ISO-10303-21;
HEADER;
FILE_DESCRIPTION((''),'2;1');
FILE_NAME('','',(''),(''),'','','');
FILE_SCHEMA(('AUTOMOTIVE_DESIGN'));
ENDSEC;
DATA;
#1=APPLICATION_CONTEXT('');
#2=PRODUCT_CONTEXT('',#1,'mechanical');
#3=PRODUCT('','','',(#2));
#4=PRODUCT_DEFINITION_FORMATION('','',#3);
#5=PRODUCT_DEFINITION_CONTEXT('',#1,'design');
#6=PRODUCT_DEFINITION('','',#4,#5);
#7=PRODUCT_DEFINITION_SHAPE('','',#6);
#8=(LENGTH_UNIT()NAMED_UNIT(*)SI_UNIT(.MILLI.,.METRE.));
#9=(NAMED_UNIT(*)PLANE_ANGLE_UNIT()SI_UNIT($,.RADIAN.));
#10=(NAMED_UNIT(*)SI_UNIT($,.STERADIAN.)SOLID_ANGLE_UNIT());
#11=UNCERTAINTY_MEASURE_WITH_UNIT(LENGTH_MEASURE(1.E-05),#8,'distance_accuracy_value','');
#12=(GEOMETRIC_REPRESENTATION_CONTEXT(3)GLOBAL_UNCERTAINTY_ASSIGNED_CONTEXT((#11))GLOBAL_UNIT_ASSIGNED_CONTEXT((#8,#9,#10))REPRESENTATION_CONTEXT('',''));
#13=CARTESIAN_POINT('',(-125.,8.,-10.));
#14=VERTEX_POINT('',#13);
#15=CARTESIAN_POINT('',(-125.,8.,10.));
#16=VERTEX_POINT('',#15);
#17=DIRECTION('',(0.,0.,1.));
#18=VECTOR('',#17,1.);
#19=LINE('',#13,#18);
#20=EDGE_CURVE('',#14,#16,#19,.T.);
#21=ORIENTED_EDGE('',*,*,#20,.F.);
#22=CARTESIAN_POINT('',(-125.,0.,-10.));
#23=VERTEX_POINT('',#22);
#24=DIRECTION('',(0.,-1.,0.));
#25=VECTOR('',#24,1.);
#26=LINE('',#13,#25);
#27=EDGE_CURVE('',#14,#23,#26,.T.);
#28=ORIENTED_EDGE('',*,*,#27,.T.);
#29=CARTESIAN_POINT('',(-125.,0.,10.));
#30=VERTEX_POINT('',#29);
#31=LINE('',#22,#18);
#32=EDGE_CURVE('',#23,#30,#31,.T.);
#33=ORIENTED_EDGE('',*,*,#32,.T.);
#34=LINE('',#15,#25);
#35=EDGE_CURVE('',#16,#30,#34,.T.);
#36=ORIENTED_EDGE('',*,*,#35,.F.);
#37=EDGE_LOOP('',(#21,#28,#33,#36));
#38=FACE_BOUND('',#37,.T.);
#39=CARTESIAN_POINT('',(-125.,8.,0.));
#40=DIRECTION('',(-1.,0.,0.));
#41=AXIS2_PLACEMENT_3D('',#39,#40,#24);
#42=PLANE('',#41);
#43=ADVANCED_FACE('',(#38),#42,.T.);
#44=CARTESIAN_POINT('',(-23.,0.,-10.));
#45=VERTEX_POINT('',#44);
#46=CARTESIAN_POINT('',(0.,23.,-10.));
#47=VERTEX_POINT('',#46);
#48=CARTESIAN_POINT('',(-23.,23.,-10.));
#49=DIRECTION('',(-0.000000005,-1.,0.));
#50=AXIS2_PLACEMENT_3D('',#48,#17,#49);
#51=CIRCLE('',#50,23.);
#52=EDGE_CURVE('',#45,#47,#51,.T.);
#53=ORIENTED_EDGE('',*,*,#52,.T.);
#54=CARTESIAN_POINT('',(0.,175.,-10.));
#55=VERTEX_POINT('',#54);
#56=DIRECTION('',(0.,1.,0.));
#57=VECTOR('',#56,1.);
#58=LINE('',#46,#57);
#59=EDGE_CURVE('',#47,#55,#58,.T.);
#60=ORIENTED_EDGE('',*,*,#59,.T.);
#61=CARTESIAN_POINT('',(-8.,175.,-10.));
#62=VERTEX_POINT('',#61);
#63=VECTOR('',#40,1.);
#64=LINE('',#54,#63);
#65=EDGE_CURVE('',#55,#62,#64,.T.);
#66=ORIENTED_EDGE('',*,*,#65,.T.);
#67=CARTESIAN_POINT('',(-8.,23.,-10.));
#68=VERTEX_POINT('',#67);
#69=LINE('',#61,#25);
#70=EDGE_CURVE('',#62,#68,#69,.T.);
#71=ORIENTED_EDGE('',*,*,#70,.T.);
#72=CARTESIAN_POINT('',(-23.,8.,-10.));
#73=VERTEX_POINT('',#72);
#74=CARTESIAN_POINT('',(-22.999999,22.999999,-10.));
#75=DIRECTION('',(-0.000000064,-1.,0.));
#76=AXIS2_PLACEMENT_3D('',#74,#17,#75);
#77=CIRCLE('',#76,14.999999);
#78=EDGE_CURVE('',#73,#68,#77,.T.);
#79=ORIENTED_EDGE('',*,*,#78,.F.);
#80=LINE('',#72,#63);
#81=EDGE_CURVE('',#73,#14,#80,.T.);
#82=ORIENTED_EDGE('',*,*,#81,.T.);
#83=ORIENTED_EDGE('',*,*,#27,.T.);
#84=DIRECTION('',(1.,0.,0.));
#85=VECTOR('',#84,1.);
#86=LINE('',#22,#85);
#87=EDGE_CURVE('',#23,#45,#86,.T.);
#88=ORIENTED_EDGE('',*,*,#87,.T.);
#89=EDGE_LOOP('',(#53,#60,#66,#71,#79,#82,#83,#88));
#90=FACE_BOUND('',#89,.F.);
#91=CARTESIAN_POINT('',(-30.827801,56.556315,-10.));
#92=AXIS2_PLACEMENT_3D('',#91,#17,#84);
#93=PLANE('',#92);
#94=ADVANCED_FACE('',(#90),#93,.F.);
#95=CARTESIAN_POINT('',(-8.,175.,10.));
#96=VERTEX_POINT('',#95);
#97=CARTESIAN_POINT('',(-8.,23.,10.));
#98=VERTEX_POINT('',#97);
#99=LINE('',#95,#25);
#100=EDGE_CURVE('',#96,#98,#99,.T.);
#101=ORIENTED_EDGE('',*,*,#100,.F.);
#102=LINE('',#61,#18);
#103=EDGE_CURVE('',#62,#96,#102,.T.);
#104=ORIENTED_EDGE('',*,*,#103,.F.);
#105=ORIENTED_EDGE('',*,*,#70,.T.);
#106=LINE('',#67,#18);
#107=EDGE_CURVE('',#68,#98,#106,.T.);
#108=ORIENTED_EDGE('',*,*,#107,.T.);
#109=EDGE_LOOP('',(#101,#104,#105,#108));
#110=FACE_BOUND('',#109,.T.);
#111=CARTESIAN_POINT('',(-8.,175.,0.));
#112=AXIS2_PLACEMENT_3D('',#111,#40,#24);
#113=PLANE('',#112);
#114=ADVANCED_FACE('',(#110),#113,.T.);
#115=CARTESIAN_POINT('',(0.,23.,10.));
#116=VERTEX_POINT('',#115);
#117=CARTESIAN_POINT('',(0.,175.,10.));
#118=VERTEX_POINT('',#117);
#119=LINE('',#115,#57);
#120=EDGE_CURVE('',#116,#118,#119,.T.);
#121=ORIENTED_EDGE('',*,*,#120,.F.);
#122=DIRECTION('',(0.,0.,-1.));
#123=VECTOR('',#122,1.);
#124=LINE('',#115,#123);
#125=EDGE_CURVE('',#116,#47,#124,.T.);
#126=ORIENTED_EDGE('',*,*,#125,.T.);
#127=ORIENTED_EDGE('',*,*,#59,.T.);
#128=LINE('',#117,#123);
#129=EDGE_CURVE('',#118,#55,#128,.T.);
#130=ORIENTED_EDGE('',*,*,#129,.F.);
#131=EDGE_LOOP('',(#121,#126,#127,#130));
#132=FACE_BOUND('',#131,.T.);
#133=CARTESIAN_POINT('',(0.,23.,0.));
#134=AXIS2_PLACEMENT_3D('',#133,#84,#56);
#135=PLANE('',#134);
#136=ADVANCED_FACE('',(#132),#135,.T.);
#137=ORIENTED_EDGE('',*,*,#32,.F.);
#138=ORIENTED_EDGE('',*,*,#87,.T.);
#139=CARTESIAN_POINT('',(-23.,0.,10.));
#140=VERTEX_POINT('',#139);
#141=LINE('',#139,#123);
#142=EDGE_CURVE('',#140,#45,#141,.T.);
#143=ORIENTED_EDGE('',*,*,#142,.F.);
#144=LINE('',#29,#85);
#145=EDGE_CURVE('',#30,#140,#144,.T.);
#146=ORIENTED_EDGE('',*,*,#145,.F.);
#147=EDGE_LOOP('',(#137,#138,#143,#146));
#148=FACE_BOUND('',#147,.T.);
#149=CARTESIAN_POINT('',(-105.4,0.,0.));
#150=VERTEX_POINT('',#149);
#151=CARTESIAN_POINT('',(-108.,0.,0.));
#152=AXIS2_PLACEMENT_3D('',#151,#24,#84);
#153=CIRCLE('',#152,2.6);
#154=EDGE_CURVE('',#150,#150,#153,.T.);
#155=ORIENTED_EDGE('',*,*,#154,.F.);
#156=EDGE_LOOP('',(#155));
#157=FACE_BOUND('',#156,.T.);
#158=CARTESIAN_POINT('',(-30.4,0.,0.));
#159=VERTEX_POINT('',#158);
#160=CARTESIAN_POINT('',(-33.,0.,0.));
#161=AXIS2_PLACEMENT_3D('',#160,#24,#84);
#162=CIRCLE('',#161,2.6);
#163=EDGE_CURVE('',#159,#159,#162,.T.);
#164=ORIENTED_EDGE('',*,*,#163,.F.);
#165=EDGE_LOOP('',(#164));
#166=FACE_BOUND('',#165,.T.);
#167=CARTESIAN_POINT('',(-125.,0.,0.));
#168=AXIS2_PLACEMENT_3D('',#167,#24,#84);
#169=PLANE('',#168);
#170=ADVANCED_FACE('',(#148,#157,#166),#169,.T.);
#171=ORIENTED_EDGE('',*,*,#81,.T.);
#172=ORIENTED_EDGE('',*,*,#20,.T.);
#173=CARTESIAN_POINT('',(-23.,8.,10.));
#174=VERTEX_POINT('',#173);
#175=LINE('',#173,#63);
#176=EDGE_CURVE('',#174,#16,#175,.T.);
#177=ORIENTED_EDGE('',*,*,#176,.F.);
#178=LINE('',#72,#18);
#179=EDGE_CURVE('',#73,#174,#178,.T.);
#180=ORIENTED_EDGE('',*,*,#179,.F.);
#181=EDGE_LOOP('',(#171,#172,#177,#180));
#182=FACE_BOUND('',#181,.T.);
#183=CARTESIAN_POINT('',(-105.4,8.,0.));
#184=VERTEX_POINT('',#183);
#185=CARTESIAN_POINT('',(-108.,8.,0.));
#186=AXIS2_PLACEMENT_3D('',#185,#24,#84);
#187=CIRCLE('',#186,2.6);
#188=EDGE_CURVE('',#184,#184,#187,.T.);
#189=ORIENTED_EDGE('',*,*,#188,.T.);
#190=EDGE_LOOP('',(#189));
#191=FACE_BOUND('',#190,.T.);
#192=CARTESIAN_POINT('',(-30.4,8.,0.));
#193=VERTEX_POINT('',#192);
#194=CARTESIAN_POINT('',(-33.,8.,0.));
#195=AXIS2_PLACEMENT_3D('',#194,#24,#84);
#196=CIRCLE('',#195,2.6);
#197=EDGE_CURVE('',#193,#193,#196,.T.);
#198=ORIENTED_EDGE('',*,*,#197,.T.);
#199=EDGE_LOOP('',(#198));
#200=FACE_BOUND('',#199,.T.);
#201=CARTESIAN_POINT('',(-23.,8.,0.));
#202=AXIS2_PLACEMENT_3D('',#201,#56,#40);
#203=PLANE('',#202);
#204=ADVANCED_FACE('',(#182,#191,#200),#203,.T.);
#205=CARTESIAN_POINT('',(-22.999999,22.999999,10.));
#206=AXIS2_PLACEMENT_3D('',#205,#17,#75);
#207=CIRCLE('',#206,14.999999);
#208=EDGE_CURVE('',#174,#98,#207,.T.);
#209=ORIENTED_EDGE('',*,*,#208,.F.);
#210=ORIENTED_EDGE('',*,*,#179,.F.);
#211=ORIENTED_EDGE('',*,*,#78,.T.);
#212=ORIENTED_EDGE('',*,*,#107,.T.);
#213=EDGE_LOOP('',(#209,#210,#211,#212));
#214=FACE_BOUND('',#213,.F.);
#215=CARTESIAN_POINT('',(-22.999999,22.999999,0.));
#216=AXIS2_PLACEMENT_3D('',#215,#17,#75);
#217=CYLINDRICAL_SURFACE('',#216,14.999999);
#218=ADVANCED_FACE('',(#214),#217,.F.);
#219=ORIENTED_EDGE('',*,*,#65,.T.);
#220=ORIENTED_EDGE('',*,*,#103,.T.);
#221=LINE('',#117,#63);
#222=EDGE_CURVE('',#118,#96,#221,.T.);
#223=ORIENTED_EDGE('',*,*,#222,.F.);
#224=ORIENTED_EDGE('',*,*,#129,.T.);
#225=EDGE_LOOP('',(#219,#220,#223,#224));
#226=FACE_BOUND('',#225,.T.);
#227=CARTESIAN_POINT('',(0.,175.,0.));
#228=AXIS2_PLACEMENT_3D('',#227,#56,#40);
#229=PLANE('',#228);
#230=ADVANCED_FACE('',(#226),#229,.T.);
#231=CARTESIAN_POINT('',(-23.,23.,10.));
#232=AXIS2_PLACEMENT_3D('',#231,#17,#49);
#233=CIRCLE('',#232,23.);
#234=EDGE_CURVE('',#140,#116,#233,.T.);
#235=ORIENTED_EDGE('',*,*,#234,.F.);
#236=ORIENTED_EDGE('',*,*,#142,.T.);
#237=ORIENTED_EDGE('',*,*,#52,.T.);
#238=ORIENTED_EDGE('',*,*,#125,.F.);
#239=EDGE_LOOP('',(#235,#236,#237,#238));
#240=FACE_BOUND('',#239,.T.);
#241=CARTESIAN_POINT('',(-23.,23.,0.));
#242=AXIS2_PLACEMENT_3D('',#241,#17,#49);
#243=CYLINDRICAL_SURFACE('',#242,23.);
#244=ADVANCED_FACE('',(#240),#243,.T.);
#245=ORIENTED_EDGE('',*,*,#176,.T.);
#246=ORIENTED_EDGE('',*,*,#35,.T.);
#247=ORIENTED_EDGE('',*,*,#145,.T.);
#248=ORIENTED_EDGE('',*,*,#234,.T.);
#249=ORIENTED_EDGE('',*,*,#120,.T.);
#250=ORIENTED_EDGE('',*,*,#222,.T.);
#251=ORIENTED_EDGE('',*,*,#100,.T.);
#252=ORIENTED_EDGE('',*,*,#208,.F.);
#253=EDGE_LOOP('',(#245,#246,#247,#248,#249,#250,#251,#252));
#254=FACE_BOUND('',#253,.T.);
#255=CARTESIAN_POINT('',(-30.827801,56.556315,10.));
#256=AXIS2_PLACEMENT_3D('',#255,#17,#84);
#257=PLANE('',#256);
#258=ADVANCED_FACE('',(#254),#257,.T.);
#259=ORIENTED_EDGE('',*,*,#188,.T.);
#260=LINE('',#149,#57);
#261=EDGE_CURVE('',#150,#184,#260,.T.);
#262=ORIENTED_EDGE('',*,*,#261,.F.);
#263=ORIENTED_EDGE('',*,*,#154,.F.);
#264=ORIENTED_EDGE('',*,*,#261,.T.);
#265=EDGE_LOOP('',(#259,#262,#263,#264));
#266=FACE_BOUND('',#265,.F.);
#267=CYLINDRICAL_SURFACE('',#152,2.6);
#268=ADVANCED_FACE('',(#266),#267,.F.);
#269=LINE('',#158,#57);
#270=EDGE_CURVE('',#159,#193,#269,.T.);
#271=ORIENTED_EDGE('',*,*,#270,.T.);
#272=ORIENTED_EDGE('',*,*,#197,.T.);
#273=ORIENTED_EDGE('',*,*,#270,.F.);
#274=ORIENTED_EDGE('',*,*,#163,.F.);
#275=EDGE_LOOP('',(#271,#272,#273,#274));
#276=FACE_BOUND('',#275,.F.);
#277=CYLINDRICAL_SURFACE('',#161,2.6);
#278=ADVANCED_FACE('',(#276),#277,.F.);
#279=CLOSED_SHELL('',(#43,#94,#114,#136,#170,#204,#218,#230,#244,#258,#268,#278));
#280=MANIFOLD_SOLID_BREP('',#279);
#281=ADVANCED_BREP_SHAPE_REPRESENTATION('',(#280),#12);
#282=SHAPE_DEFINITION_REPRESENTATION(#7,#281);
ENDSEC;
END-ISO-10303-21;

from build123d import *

# Parameters (mm, degrees)
PAD_DEPTH    = 10
SKETCH001_R  = 2.6
POCKET_DEPTH = 175.001


with BuildPart() as part:
    # Sketch → Pad (new body, symmetric)
    with BuildSketch(Plane.XY):
        with BuildLine():
            Line((0, 175), (-8, 175))
            Line((-8, 175), (-8, 23))
            ThreePointArc((-23, 8), (-12.393398, 12.393398), (-8, 23))
            Line((-23, 8), (-125, 8))
            Line((-125, 8), (-125, 0))
            Line((-125, 0), (-23, 0))
            ThreePointArc((-23, 0), (-6.736544, 6.736544), (0, 23))
            Line((0, 23), (0, 175))
        make_face()
    extrude(amount=PAD_DEPTH, both=True)

    # Sketch001 → Pocket (cut, through all)
    with BuildSketch(Plane.XZ):
        with Locations((-108, 0)):
            Circle(SKETCH001_R)
        with Locations((-33, 0)):
            Circle(SKETCH001_R)
    extrude(amount=-POCKET_DEPTH, mode=Mode.SUBTRACT)


solid = part.part
